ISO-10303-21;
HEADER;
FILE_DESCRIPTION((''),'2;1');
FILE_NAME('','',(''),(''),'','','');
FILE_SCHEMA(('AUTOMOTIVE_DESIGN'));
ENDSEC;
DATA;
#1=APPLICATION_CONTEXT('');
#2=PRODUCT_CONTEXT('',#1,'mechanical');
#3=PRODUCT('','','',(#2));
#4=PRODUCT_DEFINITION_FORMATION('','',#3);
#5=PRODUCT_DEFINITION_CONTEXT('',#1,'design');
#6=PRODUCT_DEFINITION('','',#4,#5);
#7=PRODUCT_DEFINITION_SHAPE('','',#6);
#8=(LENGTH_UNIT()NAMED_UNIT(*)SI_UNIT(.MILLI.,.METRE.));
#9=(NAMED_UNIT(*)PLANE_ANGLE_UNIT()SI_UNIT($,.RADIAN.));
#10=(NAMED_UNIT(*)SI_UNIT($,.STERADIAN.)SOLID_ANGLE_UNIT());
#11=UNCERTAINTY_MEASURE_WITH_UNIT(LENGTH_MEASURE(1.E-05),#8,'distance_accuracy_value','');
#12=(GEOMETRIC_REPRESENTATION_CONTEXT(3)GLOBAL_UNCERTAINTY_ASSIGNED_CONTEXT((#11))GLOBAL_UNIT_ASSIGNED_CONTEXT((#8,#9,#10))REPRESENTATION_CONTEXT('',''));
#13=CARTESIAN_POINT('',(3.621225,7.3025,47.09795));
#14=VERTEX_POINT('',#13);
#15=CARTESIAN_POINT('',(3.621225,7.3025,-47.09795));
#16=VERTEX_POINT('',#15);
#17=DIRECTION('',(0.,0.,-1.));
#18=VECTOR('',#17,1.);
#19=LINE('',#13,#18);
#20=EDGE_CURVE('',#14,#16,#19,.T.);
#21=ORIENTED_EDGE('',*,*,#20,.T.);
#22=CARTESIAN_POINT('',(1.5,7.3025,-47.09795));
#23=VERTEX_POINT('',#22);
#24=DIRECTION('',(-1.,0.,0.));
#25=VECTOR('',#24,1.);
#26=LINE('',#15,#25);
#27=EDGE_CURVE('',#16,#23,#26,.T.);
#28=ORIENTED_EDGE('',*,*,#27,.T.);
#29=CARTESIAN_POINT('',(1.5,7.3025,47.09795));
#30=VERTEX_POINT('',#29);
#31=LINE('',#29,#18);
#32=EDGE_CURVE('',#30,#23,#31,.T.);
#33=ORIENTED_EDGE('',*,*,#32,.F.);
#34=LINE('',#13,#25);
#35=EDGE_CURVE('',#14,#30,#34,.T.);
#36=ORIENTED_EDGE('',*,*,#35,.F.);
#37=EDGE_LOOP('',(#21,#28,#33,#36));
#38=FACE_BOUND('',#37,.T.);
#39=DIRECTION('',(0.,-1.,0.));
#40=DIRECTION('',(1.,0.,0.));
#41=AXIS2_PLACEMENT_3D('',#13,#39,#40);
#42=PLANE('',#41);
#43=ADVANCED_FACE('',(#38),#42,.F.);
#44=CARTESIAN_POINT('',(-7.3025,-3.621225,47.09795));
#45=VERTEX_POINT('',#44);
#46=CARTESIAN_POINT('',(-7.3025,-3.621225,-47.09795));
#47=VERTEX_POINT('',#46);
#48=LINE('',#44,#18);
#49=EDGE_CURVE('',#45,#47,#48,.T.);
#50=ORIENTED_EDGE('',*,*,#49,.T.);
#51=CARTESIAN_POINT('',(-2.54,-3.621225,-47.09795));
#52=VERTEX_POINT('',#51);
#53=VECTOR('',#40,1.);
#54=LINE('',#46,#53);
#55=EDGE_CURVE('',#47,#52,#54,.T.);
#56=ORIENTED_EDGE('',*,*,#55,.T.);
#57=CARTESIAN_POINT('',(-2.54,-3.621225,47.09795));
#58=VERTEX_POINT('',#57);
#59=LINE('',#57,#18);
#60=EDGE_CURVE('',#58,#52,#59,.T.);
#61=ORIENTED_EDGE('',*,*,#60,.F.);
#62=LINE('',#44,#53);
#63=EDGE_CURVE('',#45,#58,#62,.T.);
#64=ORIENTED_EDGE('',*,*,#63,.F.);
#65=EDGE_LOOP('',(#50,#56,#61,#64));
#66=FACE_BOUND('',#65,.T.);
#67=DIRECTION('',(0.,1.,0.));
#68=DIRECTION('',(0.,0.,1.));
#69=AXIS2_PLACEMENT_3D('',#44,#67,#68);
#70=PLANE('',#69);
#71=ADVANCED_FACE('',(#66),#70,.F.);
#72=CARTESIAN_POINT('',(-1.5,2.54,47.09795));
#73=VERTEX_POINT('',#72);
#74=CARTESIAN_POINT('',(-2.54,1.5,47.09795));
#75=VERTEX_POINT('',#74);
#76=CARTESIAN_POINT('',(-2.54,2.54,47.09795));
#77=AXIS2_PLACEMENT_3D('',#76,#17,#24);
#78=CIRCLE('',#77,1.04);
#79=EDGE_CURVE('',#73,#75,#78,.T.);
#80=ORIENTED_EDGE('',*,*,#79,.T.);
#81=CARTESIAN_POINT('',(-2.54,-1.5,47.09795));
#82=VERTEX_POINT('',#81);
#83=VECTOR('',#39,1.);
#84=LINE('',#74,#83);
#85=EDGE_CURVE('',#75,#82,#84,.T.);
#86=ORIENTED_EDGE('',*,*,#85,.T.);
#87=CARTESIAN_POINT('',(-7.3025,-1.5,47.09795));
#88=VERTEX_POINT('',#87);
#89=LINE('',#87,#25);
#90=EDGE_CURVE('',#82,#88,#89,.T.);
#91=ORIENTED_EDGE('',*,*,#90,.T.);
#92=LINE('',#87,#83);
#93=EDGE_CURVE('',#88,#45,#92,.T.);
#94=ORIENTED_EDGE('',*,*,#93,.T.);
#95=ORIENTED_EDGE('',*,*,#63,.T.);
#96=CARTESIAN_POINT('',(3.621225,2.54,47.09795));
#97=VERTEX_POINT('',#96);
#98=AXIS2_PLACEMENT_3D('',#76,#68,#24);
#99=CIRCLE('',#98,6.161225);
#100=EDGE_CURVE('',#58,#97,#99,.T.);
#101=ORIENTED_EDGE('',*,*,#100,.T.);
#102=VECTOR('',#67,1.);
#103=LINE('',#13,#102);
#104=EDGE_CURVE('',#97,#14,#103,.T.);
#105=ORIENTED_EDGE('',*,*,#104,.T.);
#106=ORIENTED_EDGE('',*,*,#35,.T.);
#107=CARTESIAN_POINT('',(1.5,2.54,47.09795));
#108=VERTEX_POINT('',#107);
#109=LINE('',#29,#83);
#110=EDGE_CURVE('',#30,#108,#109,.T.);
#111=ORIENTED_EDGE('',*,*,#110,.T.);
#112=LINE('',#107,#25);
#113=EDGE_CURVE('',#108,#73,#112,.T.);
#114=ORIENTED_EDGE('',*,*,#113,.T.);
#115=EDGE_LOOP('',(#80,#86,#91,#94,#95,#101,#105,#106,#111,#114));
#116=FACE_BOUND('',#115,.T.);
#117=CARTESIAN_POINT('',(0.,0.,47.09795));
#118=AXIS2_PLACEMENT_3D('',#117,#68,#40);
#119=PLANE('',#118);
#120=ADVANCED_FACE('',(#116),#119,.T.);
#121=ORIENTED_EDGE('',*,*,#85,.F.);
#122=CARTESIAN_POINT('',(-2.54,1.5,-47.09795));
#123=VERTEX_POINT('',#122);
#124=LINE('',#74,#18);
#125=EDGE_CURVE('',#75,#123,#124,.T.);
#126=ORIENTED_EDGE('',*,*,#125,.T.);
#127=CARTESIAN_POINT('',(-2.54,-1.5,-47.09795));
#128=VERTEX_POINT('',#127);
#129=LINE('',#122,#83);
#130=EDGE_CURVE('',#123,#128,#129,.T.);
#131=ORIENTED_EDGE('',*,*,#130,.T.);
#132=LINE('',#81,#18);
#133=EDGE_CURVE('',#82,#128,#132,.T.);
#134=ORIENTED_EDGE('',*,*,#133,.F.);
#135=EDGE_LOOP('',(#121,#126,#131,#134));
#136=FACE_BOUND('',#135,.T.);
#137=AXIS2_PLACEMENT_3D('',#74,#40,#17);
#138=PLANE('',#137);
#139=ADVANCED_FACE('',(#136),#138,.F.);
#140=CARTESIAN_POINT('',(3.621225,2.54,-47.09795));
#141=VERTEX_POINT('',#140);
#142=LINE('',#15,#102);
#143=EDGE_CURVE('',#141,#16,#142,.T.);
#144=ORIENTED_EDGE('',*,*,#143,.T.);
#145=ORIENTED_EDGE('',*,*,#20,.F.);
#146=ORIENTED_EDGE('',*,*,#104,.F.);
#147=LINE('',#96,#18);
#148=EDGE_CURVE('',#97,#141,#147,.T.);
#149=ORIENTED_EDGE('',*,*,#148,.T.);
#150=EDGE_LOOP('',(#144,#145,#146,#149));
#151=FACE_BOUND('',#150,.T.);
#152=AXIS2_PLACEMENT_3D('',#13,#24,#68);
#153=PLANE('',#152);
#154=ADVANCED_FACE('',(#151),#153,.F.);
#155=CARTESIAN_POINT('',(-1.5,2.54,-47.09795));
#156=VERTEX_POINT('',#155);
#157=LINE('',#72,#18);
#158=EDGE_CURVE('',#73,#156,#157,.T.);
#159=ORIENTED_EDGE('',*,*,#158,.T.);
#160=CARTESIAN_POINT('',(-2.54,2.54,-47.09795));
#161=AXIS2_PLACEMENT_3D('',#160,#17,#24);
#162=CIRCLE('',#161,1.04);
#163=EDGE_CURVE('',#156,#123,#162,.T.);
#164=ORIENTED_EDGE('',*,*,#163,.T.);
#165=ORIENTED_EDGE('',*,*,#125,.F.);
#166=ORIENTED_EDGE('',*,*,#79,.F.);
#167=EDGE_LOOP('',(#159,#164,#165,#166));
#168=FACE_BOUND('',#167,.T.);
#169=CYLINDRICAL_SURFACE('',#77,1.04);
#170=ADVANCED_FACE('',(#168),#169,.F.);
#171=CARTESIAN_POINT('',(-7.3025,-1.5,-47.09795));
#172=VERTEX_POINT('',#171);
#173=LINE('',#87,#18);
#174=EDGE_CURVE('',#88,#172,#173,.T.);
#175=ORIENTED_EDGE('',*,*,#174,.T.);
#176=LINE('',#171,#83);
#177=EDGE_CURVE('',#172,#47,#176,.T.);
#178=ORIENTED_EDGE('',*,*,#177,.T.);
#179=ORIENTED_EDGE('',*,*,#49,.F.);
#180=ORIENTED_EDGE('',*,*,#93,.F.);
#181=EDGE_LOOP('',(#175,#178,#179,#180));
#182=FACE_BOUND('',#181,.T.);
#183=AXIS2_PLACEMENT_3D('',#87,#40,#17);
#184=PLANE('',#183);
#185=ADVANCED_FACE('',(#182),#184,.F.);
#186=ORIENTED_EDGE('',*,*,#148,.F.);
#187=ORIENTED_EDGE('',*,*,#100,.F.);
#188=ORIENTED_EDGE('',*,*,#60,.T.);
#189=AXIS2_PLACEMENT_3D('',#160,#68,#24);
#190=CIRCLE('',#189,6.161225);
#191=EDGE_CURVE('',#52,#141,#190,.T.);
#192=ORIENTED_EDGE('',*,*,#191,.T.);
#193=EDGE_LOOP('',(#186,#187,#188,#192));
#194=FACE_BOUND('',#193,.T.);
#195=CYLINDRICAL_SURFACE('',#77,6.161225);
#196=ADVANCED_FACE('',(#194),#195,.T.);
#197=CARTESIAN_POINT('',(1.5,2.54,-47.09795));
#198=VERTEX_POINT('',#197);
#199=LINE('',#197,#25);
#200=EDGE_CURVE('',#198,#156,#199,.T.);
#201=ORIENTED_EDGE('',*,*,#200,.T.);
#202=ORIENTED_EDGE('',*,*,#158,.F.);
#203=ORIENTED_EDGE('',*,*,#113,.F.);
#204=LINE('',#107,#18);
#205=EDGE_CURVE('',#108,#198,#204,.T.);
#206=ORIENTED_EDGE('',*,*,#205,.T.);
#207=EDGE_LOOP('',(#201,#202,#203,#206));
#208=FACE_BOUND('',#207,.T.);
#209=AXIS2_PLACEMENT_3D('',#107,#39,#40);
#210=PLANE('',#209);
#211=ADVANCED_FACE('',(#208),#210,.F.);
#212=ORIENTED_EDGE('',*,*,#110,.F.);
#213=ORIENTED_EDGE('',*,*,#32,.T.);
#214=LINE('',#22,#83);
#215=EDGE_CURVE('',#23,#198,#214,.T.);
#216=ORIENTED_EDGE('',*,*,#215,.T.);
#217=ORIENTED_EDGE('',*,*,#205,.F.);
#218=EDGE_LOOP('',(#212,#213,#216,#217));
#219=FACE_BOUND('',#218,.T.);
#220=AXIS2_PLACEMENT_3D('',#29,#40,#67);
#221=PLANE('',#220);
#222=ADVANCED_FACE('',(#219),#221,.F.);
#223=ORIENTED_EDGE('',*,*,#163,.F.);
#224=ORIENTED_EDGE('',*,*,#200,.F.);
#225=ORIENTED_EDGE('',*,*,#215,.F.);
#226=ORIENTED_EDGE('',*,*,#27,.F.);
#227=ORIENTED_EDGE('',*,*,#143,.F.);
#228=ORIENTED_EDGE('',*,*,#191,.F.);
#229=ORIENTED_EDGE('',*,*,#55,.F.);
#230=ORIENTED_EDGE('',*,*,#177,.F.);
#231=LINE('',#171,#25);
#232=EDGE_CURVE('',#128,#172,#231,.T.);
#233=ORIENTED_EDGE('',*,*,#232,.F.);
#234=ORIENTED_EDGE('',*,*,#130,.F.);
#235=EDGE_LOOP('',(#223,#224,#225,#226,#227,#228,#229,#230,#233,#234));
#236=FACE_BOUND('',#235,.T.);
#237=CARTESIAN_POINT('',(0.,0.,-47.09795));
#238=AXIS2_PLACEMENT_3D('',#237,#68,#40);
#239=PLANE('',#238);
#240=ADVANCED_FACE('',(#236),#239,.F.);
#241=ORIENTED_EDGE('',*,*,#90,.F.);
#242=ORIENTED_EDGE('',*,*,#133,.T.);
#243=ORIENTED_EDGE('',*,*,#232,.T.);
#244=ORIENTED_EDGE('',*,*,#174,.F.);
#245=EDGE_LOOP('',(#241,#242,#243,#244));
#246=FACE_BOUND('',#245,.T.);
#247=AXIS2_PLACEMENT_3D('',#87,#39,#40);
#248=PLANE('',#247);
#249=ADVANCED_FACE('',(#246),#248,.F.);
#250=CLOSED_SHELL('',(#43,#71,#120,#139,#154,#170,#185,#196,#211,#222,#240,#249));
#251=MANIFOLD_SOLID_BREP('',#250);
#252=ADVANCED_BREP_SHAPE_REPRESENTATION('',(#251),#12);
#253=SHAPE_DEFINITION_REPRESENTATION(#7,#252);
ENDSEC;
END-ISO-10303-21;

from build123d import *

# Parameters (mm, degrees)
SKETCH7_W           = 4.7625
SKETCH7_H           = 2.12122512
BOSS_EXTRUDE2_DEPTH = 47.09795
SKETCH8_W           = 2.12122512
SKETCH8_H           = 4.7625
BOSS_EXTRUDE3_DEPTH = 47.09795
BOSS_EXTRUDE4_DEPTH = 47.09795


with BuildPart() as part:
    # Sketch7 → Boss-Extrude2 (new, symmetric)
    with BuildSketch(Plane.XY):
        with Locations((-4.92125, -2.560612608)):
            Rectangle(SKETCH7_W, SKETCH7_H)
    extrude(amount=BOSS_EXTRUDE2_DEPTH, both=True)



with BuildPart() as body_2:
    # Sketch8 → Boss-Extrude3 (new, symmetric)
    with BuildSketch(Plane.XY):
        with Locations((2.560612608, 4.92125)):
            Rectangle(SKETCH8_W, SKETCH8_H)
    extrude(amount=BOSS_EXTRUDE3_DEPTH, both=True)


with BuildPart() as part_1:
    add(part.part)

    add(body_2.part)  # Boss-Extrude4 merges body 2
    # Sketch11 → Boss-Extrude4 (add, symmetric)
    with BuildSketch(Plane.XY):
        with BuildLine():
            Line((-2.54, -1.500000048), (-7.3025, -1.500000048))
            Line((-7.3025, -1.500000048), (-7.3025, -3.621225168))
            Line((-7.3025, -3.621225168), (-2.54, -3.621225168))
            ThreePointArc((-2.54, -3.621225168), (1.816644097, -1.816644097), (3.621225168, 2.54))
            Line((3.621225168, 2.54), (3.621225168, 7.3025))
            Line((3.621225168, 7.3025), (1.500000048, 7.3025))
            Line((1.500000048, 7.3025), (1.500000048, 2.54))
            Line((1.500000048, 2.54), (-1.500000048, 2.54))
            ThreePointArc((-1.500000048, 2.54), (-1.804608982, 1.804608982), (-2.54, 1.500000048))
            Line((-2.54, 1.500000048), (-2.54, -1.500000048))
        make_face()
    extrude(amount=BOSS_EXTRUDE4_DEPTH, both=True)


solid = part_1.part
